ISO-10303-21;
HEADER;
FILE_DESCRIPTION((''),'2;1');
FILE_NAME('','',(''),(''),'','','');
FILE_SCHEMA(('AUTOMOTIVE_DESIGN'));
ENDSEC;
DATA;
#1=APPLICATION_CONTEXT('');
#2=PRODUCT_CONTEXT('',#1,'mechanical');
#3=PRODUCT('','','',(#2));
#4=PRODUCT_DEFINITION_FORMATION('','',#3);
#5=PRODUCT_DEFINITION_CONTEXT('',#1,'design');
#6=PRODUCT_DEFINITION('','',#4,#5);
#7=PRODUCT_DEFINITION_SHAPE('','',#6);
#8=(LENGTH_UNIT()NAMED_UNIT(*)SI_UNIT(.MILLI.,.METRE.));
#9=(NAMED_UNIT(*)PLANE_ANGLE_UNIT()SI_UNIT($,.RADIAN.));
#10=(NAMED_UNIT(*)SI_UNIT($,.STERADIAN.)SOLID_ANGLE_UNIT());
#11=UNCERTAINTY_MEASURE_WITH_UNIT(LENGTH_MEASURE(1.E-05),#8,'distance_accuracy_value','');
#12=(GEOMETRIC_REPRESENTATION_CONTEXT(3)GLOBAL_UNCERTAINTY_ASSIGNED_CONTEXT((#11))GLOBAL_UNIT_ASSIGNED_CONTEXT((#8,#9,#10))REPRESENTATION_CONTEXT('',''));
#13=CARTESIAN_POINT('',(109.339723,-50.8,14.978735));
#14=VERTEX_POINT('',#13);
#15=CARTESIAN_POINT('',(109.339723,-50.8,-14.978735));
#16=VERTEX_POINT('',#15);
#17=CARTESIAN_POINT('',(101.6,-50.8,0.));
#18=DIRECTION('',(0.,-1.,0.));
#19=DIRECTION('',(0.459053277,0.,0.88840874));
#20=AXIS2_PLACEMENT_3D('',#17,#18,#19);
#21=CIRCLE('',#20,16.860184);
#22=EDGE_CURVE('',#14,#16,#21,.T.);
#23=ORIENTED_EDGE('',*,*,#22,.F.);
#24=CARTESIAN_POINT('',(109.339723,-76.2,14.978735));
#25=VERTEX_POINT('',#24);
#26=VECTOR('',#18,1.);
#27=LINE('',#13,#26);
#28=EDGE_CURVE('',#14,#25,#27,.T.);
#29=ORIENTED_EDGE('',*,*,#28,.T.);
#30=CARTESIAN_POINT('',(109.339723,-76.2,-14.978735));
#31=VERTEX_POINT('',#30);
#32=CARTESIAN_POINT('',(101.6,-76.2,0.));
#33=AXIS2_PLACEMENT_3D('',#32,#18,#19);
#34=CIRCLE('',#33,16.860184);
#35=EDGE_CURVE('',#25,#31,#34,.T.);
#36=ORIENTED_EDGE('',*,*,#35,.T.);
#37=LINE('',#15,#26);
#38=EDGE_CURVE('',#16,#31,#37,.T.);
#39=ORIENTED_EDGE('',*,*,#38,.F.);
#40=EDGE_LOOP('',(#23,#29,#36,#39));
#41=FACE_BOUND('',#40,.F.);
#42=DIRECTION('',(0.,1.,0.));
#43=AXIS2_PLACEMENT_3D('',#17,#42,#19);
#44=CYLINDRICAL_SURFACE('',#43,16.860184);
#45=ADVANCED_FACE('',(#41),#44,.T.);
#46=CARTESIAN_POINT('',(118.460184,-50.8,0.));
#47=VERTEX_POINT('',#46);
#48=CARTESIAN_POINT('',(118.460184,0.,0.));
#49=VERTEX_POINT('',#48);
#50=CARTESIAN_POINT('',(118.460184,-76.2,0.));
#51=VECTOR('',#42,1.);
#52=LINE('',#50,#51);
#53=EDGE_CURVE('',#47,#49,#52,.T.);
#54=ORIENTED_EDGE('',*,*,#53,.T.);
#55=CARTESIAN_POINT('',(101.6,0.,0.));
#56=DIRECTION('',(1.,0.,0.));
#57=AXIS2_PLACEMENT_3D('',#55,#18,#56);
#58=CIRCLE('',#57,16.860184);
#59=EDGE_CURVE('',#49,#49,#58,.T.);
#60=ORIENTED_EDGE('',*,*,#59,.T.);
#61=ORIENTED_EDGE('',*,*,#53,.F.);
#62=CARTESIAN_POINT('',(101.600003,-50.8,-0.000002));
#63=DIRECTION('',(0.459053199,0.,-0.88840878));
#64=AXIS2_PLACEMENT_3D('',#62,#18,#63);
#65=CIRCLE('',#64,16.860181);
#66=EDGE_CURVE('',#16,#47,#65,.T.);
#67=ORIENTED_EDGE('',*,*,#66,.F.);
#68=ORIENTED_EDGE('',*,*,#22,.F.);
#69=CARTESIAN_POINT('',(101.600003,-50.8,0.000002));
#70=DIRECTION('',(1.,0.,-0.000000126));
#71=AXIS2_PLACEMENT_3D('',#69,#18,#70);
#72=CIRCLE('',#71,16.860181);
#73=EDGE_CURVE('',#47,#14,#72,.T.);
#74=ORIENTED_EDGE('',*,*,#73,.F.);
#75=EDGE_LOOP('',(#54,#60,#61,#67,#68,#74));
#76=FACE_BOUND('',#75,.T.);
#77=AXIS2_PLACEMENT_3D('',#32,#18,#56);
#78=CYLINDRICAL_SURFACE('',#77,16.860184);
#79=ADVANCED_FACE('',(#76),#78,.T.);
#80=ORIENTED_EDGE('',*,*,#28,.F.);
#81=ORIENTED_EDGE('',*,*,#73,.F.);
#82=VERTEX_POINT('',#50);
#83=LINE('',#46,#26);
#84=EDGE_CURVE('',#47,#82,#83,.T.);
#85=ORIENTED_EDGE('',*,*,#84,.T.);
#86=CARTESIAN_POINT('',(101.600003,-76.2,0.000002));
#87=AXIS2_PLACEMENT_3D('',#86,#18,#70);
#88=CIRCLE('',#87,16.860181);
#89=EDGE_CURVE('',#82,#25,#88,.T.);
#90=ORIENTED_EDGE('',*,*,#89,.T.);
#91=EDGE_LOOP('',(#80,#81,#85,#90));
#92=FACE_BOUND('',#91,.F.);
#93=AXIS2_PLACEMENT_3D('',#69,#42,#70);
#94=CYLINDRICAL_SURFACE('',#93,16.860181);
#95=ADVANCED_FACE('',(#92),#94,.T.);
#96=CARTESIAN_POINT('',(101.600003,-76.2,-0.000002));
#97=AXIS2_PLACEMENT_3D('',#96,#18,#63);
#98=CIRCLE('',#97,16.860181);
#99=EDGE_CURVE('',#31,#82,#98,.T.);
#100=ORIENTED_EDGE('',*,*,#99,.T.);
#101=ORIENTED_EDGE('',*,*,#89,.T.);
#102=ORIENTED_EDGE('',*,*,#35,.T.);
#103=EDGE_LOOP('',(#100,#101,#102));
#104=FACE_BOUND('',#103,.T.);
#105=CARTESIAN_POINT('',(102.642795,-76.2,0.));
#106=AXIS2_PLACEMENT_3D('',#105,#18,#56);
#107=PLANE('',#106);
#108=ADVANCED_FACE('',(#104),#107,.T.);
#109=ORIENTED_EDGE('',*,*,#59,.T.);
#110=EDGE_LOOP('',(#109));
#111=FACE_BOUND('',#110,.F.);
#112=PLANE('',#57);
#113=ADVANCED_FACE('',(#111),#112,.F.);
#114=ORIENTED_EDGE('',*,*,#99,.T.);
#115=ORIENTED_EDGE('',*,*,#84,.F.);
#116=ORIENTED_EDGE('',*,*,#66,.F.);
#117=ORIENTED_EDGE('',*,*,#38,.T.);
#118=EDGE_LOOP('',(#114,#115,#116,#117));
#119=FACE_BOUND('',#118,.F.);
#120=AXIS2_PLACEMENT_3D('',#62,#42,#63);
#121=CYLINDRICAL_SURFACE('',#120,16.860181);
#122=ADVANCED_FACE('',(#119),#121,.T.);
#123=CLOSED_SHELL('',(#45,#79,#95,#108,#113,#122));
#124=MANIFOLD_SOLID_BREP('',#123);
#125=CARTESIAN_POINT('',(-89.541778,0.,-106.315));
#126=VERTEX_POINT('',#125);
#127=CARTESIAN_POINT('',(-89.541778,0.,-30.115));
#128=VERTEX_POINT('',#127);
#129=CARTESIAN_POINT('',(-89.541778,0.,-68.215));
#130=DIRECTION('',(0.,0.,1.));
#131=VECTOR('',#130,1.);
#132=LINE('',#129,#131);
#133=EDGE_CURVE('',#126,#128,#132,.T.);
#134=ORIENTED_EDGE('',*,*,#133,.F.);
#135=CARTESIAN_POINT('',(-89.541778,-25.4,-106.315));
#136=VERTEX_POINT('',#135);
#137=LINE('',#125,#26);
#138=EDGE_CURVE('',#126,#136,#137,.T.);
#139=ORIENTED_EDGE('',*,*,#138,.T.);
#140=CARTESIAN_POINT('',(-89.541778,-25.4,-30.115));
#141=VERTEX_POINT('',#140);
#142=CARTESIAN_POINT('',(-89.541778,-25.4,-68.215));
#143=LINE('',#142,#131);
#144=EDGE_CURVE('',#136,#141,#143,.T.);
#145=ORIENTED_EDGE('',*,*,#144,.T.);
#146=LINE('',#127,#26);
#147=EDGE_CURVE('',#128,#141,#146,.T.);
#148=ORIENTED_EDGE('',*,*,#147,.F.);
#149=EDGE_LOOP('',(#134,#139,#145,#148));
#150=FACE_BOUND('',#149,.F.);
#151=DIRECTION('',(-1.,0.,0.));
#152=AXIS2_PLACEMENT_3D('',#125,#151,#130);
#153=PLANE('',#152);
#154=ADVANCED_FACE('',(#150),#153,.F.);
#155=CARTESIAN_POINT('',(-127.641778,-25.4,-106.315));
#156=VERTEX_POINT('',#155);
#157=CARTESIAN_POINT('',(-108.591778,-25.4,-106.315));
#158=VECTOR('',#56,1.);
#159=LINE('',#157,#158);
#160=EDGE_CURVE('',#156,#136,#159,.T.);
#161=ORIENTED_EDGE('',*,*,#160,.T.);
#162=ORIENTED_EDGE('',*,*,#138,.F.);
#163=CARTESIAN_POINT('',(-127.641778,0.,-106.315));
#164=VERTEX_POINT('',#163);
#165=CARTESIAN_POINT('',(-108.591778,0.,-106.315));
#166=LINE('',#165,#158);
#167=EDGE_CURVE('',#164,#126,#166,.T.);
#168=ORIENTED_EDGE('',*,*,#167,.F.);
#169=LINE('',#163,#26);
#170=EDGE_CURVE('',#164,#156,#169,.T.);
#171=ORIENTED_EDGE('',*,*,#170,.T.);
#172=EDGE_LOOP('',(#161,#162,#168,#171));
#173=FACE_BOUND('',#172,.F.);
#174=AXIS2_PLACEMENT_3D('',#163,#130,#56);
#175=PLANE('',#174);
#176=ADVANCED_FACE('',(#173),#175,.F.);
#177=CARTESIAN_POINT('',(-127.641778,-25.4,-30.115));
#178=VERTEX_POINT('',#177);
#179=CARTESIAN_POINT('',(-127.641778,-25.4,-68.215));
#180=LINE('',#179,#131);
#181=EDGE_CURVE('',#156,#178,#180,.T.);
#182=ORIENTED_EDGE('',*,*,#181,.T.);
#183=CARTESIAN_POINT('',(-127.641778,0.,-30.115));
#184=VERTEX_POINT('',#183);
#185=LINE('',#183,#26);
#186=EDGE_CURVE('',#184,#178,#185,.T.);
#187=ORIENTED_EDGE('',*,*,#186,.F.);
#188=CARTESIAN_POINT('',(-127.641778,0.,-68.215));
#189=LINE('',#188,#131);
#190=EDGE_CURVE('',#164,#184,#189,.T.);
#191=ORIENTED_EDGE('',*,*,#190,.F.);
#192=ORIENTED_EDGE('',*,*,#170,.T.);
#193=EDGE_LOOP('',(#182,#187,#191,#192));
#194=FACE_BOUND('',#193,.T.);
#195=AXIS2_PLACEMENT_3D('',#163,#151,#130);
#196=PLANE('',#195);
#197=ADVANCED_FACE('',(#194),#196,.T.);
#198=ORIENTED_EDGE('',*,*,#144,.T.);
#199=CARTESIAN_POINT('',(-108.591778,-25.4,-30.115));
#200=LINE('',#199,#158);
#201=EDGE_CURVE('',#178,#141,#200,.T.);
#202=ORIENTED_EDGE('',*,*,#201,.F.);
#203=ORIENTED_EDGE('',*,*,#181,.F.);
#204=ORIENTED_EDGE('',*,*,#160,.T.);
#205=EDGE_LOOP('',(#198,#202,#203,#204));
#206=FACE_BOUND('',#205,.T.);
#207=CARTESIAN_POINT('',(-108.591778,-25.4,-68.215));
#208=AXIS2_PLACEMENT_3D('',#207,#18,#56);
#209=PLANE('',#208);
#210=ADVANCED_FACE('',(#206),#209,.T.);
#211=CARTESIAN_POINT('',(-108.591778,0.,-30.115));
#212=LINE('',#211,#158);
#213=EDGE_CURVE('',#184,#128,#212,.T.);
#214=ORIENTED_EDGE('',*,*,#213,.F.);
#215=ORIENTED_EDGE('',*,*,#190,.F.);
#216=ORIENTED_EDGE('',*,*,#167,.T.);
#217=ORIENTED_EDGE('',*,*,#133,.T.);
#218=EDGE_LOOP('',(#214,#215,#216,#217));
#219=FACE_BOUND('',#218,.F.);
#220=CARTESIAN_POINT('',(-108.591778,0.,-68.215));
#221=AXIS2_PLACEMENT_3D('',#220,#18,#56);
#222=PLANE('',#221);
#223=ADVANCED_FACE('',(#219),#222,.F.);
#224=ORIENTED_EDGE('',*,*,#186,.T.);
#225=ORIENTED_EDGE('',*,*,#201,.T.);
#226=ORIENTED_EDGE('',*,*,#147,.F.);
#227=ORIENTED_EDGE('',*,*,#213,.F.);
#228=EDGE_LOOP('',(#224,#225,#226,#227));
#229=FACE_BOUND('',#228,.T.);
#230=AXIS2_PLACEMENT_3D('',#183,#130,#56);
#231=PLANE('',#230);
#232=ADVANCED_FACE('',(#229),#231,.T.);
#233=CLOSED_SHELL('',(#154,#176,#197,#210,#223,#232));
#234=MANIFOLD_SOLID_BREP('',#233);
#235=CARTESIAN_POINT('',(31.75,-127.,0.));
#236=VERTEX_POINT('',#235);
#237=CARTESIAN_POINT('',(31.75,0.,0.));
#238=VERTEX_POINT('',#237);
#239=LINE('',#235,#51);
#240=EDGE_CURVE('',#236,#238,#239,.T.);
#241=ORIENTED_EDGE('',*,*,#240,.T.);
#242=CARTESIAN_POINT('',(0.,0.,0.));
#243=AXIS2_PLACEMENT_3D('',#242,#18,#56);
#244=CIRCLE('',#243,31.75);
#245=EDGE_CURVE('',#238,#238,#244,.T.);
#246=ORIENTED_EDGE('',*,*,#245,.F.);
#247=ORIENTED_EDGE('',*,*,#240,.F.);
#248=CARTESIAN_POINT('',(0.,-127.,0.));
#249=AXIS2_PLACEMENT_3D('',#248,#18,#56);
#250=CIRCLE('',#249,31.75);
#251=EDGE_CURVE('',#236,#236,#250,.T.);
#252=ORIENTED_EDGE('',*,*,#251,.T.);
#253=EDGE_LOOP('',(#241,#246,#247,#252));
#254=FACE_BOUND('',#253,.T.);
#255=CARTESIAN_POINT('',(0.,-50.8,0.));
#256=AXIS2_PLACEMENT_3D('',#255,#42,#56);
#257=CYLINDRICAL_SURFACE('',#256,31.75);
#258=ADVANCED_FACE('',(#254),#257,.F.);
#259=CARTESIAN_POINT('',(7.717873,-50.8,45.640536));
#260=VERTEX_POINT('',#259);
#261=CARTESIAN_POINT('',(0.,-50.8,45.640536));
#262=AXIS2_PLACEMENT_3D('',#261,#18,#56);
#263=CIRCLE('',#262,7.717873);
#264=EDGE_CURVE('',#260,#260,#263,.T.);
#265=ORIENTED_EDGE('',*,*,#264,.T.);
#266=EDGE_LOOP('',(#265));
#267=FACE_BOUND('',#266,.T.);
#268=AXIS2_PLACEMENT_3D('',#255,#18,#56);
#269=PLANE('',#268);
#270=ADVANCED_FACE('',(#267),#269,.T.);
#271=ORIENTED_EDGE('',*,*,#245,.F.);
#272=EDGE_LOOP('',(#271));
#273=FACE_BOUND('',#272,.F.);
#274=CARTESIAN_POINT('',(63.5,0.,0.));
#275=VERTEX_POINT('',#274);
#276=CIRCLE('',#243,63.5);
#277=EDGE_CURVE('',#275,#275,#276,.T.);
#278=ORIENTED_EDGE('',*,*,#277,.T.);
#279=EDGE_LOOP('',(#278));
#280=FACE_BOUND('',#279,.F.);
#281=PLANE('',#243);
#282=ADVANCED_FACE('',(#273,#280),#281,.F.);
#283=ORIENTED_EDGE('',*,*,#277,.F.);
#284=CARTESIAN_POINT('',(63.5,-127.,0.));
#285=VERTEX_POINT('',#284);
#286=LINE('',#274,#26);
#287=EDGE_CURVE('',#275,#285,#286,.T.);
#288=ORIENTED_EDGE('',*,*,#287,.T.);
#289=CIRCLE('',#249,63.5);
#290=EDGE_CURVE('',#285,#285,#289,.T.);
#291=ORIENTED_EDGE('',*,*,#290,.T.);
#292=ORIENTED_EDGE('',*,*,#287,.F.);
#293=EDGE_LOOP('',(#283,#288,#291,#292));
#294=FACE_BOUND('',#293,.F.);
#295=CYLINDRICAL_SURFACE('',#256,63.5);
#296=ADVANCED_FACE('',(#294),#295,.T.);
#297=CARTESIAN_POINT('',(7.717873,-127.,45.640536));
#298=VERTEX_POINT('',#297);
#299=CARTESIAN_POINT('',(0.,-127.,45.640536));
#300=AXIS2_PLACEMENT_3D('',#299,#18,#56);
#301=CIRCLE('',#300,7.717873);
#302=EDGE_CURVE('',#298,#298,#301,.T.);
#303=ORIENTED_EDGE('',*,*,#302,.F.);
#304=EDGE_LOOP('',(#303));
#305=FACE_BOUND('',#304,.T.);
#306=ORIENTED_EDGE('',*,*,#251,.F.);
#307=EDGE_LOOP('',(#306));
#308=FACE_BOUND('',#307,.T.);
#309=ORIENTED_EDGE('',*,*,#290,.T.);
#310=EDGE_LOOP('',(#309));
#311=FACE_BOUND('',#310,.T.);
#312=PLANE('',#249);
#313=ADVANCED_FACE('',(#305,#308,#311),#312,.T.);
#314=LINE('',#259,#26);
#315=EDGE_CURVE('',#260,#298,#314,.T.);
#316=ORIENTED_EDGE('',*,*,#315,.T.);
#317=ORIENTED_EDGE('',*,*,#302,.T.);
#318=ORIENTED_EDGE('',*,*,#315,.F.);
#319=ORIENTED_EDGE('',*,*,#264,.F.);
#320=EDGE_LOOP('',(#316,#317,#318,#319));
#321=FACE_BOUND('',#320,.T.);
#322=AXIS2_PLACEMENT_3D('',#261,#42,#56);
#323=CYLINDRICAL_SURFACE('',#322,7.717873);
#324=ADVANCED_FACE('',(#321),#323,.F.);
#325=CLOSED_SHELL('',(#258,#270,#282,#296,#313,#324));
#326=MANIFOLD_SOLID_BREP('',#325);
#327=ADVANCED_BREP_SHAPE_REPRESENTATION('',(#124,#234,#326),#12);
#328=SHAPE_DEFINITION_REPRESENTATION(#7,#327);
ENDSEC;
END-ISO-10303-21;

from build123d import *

# Parameters (mm, degrees)
F0_R      = 63.5
F0_R_2    = 31.75
F1_DEPTH  = 50.8
F2_R      = 7.717873
F3_DEPTH  = 50.8
F5_DEPTH  = 25.4
F5_FACE_R = 16.860184
F6_DEPTH  = 76.2
F7_DEPTH  = 25.4
F2_R_2    = 63.5
F2_R_3    = 31.75
F8_DEPTH  = 76.2
F9_W      = 38.1
F9_H      = 76.2
F10_DEPTH = 25.4


with BuildPart() as f1:
    # F0 (on Front) → F1 (new body)
    with BuildSketch(Plane.XZ):
        Circle(F0_R)
        Circle(F0_R_2, mode=Mode.SUBTRACT)
    extrude(amount=F1_DEPTH)

    # F2 (on face) → F3 (join)
    with BuildSketch(Plane.XZ.offset(50.8)):
        with Locations((0, 45.640536)):
            Circle(F2_R)
    extrude(amount=-F3_DEPTH)

    # F2 (on face) → F8 (join)
    with BuildSketch(Plane.XZ.offset(50.8)):
        Circle(F2_R_2)
        Circle(F2_R_3, mode=Mode.SUBTRACT)
        with Locations((0, 45.640536)):
            Circle(F2_R, mode=Mode.SUBTRACT)
    extrude(amount=F8_DEPTH)


with BuildPart() as f5:
    # F4 (on face) → F5 (new body)
    with BuildSketch(Plane.XZ.offset(50.8)):
        with BuildLine():
            ThreePointArc((109.339723, -14.978735), (116.000677, -8.768485), (118.460184, 0))
            ThreePointArc((118.460184, 0), (116.000677, 8.768485), (109.339723, 14.978735))
            ThreePointArc((109.339723, 14.978735), (84.739816, 0), (109.339723, -14.978735))
        make_face()
    extrude(amount=F5_DEPTH)

    # F5_face (on face) → F6 (join)
    with BuildSketch(Plane(origin=(101.6, -76.2, 0), x_dir=(1, 0, 0), z_dir=(0, -1, 0))):
        Circle(F5_FACE_R)
    extrude(amount=-F6_DEPTH)

    # F5_face (on face) → F7 (join)
    with BuildSketch(Plane(origin=(101.6, -76.2, 0), x_dir=(1, 0, 0), z_dir=(0, -1, 0))):
        Circle(F5_FACE_R)
    extrude(amount=-F7_DEPTH)


with BuildPart() as f10:
    # F9 (on Front) → F10 (new body)
    with BuildSketch(Plane.XZ):
        with Locations((-108.591778, -68.215)):
            Rectangle(F9_W, F9_H)
    extrude(amount=F10_DEPTH)


solid = Compound([f1.part, f5.part, f10.part])
